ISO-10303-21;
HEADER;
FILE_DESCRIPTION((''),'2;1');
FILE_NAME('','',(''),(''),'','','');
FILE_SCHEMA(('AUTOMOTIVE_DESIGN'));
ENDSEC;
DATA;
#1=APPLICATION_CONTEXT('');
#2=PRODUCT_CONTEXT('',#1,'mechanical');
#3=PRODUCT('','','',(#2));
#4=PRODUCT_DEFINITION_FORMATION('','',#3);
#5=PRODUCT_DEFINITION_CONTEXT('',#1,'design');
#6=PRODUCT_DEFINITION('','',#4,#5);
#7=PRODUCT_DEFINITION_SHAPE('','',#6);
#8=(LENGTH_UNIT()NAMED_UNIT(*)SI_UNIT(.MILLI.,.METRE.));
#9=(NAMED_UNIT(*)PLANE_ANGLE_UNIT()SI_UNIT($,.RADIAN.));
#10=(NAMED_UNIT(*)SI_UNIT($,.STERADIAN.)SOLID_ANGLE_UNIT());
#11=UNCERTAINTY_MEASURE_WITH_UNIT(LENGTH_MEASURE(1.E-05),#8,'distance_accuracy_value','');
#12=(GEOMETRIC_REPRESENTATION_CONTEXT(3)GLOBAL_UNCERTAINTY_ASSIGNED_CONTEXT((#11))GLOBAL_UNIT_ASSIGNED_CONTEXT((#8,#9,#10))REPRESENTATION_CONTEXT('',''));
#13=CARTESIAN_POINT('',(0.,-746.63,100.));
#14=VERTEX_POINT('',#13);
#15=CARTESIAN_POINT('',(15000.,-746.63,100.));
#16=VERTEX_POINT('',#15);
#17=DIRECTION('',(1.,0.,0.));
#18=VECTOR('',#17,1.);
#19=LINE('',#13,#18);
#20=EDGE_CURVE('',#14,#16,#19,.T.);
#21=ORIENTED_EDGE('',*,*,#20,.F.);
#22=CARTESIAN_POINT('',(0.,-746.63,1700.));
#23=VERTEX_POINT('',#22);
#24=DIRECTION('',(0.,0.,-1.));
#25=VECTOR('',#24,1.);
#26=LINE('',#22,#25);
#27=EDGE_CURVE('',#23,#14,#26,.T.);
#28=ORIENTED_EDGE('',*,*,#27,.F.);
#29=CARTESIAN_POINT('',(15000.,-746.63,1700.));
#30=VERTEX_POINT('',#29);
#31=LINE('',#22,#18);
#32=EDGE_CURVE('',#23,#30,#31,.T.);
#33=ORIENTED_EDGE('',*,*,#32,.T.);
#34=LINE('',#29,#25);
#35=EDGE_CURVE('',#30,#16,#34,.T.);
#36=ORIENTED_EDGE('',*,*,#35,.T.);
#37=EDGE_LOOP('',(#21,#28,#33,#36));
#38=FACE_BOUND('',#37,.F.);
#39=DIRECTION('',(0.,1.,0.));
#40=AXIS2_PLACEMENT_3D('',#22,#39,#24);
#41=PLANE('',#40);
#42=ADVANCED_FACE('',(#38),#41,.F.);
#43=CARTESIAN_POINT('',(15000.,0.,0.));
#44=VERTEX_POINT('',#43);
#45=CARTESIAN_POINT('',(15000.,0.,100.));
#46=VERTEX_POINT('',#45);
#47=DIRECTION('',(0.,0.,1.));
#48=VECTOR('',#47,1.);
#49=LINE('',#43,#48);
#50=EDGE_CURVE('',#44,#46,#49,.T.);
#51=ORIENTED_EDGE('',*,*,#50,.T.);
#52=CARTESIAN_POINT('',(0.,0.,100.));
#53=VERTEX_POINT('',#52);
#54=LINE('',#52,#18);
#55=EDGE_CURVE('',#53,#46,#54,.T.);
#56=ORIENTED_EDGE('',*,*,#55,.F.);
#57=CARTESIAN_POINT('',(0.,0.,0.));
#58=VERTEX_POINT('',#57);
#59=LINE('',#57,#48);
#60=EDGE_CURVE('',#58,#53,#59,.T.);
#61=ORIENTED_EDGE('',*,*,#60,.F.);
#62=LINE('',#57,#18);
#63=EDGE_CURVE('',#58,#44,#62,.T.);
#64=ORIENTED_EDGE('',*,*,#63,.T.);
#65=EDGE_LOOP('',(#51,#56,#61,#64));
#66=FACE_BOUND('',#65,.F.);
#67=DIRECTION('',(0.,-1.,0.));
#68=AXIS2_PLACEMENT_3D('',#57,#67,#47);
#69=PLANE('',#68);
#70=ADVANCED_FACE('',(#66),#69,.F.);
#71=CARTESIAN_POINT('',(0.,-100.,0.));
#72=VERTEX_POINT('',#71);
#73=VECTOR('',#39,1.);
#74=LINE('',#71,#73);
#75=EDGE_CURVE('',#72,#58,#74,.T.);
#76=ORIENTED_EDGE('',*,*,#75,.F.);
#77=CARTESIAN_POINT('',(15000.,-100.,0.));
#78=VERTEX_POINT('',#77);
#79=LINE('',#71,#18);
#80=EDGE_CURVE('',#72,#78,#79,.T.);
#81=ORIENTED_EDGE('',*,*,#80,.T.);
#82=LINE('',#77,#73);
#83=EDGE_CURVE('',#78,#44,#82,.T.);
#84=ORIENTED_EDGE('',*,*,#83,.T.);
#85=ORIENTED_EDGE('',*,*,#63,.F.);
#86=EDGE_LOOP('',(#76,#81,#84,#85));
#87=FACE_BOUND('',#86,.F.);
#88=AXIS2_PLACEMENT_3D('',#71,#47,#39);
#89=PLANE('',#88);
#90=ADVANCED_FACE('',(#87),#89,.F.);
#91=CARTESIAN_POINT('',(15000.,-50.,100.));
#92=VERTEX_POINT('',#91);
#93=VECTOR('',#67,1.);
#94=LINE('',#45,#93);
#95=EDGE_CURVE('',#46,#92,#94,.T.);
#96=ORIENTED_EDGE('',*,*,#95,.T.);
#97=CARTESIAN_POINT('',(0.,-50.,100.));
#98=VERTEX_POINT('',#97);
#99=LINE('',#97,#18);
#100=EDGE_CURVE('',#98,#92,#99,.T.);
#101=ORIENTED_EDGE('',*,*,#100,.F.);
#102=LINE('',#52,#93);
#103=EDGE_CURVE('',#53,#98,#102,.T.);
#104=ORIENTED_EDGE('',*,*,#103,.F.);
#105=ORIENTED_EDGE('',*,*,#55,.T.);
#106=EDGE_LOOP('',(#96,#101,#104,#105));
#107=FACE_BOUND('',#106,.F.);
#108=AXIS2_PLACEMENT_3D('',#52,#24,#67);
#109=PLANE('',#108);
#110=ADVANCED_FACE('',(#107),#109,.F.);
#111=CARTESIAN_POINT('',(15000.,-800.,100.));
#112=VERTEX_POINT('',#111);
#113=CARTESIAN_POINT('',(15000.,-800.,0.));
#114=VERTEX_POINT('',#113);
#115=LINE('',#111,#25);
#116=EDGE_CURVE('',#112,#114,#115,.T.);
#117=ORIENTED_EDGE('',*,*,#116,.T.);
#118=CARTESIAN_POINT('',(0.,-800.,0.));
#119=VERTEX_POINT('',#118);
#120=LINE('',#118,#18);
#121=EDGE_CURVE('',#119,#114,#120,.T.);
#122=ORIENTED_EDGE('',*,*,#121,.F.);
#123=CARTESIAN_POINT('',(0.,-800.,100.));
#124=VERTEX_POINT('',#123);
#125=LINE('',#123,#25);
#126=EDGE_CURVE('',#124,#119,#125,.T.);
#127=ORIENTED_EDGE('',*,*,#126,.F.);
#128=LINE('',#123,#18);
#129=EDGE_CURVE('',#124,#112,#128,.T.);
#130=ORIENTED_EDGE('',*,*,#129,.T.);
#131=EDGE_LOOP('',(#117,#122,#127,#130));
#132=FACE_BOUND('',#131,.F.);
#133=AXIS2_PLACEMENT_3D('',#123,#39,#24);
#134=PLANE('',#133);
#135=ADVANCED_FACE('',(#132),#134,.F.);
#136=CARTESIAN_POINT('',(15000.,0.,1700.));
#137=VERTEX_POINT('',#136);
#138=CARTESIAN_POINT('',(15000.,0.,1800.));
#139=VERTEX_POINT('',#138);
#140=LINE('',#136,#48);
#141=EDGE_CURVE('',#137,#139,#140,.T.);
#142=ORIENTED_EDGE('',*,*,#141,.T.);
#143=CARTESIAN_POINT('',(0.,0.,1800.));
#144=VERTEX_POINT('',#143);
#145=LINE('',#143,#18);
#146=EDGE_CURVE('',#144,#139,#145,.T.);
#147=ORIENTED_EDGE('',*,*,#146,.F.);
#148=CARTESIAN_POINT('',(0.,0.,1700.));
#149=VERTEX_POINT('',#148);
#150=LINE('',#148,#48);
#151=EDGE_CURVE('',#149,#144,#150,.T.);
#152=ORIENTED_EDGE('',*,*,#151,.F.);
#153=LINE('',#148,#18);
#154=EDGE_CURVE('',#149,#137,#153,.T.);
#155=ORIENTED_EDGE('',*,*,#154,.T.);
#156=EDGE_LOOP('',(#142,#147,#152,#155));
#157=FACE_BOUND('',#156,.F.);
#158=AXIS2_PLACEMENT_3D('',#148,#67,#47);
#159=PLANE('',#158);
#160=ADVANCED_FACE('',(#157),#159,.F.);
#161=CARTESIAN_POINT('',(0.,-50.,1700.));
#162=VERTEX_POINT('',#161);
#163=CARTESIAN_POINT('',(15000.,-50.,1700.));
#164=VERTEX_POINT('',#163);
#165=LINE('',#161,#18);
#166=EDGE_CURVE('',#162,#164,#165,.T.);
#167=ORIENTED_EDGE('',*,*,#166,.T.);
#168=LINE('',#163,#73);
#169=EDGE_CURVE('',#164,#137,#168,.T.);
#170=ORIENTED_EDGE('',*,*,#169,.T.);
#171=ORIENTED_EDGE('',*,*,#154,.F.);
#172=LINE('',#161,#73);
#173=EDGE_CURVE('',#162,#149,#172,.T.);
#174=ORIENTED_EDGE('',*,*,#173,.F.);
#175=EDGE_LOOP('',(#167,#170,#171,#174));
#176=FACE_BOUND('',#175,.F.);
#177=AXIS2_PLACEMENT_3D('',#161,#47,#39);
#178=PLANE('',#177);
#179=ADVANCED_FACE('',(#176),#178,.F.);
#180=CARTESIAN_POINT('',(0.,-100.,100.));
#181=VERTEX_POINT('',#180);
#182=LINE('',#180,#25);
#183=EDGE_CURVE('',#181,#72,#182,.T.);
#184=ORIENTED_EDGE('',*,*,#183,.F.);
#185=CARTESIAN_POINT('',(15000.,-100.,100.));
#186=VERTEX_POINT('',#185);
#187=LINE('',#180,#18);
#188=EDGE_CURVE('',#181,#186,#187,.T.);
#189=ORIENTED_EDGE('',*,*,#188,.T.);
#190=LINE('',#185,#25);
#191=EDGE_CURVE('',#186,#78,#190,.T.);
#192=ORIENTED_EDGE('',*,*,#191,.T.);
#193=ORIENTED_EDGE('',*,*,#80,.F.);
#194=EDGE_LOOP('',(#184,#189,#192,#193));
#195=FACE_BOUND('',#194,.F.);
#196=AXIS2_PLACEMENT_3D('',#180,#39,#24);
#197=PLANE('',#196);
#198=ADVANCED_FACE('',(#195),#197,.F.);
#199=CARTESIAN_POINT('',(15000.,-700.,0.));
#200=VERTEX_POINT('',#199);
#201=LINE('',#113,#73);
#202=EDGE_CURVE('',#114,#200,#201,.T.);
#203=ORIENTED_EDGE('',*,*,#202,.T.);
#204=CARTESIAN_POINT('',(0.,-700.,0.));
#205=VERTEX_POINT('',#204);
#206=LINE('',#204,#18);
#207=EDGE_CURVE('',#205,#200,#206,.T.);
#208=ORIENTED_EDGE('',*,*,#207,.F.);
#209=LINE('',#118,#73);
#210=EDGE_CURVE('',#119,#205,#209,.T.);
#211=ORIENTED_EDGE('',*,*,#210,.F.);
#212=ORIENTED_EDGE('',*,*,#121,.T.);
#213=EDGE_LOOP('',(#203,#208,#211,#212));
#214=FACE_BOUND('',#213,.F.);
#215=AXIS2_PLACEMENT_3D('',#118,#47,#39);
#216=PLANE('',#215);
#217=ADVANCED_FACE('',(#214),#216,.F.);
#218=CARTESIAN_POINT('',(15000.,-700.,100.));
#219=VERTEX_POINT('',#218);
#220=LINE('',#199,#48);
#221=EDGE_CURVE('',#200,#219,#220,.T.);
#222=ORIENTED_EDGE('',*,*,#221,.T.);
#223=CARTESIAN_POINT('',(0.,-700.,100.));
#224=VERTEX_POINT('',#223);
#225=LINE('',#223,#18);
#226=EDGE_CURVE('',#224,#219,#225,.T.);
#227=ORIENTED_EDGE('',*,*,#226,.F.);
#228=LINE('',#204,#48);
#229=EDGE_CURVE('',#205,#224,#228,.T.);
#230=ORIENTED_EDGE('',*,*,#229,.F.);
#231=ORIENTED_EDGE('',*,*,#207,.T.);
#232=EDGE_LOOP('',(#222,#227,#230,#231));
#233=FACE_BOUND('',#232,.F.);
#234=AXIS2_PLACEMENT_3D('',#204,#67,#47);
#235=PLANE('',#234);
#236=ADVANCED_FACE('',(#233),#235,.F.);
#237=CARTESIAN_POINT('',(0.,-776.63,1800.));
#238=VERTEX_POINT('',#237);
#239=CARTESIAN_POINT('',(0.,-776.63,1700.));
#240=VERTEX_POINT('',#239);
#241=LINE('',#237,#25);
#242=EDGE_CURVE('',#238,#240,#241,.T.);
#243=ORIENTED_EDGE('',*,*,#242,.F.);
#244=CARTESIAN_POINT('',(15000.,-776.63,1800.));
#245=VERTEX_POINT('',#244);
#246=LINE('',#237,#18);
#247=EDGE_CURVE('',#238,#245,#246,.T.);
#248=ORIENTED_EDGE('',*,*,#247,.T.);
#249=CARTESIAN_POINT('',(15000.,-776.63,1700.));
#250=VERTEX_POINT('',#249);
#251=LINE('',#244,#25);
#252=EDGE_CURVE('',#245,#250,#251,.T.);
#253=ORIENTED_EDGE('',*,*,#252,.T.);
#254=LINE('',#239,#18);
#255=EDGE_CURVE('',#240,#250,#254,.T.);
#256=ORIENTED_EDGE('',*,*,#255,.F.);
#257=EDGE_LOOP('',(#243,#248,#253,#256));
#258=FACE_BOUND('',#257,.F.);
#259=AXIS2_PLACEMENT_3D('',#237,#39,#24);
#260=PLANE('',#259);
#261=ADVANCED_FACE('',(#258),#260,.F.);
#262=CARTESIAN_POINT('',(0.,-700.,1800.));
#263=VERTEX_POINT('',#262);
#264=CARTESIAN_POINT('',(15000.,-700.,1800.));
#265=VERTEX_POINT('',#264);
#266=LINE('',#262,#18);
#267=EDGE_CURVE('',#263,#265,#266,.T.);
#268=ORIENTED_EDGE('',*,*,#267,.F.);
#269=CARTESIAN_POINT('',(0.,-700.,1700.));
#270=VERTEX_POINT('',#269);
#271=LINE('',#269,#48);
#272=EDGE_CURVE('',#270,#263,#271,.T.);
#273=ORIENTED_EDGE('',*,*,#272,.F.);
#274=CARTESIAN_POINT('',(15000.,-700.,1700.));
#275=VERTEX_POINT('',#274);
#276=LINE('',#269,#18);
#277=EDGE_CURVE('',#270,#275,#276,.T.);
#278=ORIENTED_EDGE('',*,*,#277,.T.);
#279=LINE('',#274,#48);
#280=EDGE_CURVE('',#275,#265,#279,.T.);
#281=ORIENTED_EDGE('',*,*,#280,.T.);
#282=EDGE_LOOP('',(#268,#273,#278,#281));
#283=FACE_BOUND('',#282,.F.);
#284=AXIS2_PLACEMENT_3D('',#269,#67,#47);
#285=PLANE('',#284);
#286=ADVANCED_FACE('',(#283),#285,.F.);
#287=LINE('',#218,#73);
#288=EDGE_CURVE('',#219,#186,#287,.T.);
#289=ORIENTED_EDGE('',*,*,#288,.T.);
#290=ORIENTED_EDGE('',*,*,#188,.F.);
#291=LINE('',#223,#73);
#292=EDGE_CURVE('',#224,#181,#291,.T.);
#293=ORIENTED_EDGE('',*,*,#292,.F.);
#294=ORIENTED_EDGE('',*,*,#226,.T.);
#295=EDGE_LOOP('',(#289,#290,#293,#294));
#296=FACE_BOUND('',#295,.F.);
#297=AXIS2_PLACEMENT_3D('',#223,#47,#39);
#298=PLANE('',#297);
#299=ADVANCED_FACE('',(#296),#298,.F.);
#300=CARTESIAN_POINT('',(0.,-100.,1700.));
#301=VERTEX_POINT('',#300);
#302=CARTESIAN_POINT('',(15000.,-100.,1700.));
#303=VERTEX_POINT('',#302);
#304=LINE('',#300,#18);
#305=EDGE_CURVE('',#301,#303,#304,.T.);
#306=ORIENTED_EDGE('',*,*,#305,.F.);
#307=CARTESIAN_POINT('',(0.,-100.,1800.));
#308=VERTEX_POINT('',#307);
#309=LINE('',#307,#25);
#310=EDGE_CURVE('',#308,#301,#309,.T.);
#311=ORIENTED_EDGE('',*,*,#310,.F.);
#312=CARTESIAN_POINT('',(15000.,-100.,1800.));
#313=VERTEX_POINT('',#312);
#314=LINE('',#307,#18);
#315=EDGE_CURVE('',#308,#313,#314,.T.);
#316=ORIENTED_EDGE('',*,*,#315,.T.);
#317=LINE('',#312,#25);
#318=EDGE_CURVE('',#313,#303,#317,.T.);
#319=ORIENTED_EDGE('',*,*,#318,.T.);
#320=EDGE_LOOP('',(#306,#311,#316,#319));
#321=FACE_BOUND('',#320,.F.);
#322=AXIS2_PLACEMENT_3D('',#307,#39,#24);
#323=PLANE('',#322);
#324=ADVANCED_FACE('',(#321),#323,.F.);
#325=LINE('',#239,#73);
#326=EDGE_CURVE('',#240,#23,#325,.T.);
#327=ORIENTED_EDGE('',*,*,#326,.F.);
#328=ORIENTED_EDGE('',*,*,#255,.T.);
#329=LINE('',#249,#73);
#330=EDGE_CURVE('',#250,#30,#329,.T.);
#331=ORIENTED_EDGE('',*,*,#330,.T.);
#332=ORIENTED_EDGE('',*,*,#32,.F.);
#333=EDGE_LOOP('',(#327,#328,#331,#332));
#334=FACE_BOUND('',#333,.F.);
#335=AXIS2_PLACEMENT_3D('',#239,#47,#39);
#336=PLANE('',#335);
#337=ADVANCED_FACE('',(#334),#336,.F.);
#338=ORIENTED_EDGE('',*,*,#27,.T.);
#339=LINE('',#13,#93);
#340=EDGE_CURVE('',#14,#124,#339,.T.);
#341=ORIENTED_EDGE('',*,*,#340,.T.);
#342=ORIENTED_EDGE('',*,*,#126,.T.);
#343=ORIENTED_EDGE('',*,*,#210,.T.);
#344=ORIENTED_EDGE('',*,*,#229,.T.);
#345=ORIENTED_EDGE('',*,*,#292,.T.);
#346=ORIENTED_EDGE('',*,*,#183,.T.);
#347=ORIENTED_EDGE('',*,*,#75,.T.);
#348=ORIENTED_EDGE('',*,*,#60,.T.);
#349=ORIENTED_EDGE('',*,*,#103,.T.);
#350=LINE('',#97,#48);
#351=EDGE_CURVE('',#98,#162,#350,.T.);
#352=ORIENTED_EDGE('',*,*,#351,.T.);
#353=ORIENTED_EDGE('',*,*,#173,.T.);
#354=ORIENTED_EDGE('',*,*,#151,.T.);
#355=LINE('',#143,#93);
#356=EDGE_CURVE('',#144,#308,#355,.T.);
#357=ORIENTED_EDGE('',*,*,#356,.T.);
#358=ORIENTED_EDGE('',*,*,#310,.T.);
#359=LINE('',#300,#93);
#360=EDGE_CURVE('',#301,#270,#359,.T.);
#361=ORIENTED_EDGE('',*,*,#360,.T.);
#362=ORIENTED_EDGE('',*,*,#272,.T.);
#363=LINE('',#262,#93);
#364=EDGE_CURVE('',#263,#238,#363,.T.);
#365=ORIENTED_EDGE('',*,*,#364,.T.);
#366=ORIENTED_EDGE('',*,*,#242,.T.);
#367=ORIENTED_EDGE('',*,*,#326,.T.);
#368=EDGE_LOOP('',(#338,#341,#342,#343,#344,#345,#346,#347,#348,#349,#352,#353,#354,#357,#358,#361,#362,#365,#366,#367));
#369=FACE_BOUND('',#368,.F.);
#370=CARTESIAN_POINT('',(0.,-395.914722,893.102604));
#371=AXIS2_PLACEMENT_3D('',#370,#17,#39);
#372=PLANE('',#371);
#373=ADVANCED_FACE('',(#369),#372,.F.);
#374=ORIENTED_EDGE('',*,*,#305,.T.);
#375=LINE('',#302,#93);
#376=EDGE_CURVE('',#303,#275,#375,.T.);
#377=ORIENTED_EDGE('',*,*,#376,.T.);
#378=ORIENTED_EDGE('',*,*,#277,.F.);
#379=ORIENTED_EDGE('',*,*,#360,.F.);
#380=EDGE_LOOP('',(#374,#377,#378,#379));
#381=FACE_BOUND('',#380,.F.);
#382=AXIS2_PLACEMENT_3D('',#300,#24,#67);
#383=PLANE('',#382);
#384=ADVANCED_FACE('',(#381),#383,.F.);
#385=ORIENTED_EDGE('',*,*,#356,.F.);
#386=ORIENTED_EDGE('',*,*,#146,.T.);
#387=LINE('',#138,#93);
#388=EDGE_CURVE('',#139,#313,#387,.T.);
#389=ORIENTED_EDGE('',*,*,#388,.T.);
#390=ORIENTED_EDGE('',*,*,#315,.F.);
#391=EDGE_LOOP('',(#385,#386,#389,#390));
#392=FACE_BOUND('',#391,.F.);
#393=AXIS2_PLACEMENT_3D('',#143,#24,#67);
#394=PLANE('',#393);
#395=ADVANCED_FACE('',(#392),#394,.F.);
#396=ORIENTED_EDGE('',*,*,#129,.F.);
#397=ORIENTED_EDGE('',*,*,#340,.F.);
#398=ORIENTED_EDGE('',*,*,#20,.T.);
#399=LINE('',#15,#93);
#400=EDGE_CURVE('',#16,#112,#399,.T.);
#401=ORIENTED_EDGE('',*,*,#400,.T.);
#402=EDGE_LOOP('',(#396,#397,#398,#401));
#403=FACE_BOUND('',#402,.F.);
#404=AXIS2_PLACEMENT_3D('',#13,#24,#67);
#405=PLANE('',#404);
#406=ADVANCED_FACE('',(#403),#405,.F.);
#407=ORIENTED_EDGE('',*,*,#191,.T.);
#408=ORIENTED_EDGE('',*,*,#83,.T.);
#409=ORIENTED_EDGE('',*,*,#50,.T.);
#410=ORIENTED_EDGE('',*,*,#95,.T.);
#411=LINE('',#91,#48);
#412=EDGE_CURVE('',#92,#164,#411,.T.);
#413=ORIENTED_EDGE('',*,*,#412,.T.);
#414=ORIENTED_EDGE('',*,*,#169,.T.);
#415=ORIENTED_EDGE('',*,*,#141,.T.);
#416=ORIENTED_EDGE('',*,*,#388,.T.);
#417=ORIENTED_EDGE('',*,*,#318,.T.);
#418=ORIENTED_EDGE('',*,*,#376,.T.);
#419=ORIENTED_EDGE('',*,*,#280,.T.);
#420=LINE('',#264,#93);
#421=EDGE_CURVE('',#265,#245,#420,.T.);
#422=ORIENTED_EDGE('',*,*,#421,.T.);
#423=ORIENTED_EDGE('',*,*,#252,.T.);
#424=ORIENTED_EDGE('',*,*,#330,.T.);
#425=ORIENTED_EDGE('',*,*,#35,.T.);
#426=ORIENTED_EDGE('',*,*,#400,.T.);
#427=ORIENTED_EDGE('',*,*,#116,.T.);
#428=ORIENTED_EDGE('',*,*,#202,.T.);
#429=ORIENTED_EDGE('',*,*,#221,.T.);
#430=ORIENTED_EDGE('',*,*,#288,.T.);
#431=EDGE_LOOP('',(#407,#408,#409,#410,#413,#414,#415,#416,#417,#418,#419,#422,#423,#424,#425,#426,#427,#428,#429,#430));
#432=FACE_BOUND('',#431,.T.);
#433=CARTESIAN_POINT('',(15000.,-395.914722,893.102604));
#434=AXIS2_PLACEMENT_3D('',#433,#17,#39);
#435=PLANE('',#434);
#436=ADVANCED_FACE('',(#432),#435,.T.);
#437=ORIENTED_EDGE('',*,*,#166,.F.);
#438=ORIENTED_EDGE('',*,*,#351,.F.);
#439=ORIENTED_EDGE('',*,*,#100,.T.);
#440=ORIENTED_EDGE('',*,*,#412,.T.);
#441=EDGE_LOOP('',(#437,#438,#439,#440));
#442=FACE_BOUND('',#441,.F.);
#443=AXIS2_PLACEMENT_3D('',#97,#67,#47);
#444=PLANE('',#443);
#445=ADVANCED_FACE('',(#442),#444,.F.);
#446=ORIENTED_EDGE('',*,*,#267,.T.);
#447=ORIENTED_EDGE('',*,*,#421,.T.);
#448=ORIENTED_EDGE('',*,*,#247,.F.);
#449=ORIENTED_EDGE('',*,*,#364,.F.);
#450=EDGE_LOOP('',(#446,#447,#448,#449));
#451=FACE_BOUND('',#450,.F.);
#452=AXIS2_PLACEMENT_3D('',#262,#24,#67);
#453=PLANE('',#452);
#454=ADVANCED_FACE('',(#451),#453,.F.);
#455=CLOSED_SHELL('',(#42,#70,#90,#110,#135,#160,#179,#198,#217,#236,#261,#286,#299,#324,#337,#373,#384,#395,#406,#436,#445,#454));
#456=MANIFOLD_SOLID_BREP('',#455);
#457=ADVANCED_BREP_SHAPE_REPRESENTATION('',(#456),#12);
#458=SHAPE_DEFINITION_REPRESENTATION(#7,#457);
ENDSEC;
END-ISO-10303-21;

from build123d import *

# Parameters (mm, degrees)
F1_DEPTH = 15000


with BuildPart() as f1:
    # F0 (on Right) → F1 (new body)
    with BuildSketch(Plane.YZ):
        Polygon((-100, 0), (0, 0), (0, 100), (-50, 100), (-50, 1700), (0, 1700), (0, 1800), (-100, 1800), (-100, 1700), (-700, 1700), (-700, 1800), (-776.63, 1800), (-776.63, 1700), (-746.63, 1700), (-746.63, 100), (-800, 100), (-800, 0), (-700, 0), (-700, 100), (-100, 100), align=None)
    extrude(amount=F1_DEPTH)


solid = f1.part
